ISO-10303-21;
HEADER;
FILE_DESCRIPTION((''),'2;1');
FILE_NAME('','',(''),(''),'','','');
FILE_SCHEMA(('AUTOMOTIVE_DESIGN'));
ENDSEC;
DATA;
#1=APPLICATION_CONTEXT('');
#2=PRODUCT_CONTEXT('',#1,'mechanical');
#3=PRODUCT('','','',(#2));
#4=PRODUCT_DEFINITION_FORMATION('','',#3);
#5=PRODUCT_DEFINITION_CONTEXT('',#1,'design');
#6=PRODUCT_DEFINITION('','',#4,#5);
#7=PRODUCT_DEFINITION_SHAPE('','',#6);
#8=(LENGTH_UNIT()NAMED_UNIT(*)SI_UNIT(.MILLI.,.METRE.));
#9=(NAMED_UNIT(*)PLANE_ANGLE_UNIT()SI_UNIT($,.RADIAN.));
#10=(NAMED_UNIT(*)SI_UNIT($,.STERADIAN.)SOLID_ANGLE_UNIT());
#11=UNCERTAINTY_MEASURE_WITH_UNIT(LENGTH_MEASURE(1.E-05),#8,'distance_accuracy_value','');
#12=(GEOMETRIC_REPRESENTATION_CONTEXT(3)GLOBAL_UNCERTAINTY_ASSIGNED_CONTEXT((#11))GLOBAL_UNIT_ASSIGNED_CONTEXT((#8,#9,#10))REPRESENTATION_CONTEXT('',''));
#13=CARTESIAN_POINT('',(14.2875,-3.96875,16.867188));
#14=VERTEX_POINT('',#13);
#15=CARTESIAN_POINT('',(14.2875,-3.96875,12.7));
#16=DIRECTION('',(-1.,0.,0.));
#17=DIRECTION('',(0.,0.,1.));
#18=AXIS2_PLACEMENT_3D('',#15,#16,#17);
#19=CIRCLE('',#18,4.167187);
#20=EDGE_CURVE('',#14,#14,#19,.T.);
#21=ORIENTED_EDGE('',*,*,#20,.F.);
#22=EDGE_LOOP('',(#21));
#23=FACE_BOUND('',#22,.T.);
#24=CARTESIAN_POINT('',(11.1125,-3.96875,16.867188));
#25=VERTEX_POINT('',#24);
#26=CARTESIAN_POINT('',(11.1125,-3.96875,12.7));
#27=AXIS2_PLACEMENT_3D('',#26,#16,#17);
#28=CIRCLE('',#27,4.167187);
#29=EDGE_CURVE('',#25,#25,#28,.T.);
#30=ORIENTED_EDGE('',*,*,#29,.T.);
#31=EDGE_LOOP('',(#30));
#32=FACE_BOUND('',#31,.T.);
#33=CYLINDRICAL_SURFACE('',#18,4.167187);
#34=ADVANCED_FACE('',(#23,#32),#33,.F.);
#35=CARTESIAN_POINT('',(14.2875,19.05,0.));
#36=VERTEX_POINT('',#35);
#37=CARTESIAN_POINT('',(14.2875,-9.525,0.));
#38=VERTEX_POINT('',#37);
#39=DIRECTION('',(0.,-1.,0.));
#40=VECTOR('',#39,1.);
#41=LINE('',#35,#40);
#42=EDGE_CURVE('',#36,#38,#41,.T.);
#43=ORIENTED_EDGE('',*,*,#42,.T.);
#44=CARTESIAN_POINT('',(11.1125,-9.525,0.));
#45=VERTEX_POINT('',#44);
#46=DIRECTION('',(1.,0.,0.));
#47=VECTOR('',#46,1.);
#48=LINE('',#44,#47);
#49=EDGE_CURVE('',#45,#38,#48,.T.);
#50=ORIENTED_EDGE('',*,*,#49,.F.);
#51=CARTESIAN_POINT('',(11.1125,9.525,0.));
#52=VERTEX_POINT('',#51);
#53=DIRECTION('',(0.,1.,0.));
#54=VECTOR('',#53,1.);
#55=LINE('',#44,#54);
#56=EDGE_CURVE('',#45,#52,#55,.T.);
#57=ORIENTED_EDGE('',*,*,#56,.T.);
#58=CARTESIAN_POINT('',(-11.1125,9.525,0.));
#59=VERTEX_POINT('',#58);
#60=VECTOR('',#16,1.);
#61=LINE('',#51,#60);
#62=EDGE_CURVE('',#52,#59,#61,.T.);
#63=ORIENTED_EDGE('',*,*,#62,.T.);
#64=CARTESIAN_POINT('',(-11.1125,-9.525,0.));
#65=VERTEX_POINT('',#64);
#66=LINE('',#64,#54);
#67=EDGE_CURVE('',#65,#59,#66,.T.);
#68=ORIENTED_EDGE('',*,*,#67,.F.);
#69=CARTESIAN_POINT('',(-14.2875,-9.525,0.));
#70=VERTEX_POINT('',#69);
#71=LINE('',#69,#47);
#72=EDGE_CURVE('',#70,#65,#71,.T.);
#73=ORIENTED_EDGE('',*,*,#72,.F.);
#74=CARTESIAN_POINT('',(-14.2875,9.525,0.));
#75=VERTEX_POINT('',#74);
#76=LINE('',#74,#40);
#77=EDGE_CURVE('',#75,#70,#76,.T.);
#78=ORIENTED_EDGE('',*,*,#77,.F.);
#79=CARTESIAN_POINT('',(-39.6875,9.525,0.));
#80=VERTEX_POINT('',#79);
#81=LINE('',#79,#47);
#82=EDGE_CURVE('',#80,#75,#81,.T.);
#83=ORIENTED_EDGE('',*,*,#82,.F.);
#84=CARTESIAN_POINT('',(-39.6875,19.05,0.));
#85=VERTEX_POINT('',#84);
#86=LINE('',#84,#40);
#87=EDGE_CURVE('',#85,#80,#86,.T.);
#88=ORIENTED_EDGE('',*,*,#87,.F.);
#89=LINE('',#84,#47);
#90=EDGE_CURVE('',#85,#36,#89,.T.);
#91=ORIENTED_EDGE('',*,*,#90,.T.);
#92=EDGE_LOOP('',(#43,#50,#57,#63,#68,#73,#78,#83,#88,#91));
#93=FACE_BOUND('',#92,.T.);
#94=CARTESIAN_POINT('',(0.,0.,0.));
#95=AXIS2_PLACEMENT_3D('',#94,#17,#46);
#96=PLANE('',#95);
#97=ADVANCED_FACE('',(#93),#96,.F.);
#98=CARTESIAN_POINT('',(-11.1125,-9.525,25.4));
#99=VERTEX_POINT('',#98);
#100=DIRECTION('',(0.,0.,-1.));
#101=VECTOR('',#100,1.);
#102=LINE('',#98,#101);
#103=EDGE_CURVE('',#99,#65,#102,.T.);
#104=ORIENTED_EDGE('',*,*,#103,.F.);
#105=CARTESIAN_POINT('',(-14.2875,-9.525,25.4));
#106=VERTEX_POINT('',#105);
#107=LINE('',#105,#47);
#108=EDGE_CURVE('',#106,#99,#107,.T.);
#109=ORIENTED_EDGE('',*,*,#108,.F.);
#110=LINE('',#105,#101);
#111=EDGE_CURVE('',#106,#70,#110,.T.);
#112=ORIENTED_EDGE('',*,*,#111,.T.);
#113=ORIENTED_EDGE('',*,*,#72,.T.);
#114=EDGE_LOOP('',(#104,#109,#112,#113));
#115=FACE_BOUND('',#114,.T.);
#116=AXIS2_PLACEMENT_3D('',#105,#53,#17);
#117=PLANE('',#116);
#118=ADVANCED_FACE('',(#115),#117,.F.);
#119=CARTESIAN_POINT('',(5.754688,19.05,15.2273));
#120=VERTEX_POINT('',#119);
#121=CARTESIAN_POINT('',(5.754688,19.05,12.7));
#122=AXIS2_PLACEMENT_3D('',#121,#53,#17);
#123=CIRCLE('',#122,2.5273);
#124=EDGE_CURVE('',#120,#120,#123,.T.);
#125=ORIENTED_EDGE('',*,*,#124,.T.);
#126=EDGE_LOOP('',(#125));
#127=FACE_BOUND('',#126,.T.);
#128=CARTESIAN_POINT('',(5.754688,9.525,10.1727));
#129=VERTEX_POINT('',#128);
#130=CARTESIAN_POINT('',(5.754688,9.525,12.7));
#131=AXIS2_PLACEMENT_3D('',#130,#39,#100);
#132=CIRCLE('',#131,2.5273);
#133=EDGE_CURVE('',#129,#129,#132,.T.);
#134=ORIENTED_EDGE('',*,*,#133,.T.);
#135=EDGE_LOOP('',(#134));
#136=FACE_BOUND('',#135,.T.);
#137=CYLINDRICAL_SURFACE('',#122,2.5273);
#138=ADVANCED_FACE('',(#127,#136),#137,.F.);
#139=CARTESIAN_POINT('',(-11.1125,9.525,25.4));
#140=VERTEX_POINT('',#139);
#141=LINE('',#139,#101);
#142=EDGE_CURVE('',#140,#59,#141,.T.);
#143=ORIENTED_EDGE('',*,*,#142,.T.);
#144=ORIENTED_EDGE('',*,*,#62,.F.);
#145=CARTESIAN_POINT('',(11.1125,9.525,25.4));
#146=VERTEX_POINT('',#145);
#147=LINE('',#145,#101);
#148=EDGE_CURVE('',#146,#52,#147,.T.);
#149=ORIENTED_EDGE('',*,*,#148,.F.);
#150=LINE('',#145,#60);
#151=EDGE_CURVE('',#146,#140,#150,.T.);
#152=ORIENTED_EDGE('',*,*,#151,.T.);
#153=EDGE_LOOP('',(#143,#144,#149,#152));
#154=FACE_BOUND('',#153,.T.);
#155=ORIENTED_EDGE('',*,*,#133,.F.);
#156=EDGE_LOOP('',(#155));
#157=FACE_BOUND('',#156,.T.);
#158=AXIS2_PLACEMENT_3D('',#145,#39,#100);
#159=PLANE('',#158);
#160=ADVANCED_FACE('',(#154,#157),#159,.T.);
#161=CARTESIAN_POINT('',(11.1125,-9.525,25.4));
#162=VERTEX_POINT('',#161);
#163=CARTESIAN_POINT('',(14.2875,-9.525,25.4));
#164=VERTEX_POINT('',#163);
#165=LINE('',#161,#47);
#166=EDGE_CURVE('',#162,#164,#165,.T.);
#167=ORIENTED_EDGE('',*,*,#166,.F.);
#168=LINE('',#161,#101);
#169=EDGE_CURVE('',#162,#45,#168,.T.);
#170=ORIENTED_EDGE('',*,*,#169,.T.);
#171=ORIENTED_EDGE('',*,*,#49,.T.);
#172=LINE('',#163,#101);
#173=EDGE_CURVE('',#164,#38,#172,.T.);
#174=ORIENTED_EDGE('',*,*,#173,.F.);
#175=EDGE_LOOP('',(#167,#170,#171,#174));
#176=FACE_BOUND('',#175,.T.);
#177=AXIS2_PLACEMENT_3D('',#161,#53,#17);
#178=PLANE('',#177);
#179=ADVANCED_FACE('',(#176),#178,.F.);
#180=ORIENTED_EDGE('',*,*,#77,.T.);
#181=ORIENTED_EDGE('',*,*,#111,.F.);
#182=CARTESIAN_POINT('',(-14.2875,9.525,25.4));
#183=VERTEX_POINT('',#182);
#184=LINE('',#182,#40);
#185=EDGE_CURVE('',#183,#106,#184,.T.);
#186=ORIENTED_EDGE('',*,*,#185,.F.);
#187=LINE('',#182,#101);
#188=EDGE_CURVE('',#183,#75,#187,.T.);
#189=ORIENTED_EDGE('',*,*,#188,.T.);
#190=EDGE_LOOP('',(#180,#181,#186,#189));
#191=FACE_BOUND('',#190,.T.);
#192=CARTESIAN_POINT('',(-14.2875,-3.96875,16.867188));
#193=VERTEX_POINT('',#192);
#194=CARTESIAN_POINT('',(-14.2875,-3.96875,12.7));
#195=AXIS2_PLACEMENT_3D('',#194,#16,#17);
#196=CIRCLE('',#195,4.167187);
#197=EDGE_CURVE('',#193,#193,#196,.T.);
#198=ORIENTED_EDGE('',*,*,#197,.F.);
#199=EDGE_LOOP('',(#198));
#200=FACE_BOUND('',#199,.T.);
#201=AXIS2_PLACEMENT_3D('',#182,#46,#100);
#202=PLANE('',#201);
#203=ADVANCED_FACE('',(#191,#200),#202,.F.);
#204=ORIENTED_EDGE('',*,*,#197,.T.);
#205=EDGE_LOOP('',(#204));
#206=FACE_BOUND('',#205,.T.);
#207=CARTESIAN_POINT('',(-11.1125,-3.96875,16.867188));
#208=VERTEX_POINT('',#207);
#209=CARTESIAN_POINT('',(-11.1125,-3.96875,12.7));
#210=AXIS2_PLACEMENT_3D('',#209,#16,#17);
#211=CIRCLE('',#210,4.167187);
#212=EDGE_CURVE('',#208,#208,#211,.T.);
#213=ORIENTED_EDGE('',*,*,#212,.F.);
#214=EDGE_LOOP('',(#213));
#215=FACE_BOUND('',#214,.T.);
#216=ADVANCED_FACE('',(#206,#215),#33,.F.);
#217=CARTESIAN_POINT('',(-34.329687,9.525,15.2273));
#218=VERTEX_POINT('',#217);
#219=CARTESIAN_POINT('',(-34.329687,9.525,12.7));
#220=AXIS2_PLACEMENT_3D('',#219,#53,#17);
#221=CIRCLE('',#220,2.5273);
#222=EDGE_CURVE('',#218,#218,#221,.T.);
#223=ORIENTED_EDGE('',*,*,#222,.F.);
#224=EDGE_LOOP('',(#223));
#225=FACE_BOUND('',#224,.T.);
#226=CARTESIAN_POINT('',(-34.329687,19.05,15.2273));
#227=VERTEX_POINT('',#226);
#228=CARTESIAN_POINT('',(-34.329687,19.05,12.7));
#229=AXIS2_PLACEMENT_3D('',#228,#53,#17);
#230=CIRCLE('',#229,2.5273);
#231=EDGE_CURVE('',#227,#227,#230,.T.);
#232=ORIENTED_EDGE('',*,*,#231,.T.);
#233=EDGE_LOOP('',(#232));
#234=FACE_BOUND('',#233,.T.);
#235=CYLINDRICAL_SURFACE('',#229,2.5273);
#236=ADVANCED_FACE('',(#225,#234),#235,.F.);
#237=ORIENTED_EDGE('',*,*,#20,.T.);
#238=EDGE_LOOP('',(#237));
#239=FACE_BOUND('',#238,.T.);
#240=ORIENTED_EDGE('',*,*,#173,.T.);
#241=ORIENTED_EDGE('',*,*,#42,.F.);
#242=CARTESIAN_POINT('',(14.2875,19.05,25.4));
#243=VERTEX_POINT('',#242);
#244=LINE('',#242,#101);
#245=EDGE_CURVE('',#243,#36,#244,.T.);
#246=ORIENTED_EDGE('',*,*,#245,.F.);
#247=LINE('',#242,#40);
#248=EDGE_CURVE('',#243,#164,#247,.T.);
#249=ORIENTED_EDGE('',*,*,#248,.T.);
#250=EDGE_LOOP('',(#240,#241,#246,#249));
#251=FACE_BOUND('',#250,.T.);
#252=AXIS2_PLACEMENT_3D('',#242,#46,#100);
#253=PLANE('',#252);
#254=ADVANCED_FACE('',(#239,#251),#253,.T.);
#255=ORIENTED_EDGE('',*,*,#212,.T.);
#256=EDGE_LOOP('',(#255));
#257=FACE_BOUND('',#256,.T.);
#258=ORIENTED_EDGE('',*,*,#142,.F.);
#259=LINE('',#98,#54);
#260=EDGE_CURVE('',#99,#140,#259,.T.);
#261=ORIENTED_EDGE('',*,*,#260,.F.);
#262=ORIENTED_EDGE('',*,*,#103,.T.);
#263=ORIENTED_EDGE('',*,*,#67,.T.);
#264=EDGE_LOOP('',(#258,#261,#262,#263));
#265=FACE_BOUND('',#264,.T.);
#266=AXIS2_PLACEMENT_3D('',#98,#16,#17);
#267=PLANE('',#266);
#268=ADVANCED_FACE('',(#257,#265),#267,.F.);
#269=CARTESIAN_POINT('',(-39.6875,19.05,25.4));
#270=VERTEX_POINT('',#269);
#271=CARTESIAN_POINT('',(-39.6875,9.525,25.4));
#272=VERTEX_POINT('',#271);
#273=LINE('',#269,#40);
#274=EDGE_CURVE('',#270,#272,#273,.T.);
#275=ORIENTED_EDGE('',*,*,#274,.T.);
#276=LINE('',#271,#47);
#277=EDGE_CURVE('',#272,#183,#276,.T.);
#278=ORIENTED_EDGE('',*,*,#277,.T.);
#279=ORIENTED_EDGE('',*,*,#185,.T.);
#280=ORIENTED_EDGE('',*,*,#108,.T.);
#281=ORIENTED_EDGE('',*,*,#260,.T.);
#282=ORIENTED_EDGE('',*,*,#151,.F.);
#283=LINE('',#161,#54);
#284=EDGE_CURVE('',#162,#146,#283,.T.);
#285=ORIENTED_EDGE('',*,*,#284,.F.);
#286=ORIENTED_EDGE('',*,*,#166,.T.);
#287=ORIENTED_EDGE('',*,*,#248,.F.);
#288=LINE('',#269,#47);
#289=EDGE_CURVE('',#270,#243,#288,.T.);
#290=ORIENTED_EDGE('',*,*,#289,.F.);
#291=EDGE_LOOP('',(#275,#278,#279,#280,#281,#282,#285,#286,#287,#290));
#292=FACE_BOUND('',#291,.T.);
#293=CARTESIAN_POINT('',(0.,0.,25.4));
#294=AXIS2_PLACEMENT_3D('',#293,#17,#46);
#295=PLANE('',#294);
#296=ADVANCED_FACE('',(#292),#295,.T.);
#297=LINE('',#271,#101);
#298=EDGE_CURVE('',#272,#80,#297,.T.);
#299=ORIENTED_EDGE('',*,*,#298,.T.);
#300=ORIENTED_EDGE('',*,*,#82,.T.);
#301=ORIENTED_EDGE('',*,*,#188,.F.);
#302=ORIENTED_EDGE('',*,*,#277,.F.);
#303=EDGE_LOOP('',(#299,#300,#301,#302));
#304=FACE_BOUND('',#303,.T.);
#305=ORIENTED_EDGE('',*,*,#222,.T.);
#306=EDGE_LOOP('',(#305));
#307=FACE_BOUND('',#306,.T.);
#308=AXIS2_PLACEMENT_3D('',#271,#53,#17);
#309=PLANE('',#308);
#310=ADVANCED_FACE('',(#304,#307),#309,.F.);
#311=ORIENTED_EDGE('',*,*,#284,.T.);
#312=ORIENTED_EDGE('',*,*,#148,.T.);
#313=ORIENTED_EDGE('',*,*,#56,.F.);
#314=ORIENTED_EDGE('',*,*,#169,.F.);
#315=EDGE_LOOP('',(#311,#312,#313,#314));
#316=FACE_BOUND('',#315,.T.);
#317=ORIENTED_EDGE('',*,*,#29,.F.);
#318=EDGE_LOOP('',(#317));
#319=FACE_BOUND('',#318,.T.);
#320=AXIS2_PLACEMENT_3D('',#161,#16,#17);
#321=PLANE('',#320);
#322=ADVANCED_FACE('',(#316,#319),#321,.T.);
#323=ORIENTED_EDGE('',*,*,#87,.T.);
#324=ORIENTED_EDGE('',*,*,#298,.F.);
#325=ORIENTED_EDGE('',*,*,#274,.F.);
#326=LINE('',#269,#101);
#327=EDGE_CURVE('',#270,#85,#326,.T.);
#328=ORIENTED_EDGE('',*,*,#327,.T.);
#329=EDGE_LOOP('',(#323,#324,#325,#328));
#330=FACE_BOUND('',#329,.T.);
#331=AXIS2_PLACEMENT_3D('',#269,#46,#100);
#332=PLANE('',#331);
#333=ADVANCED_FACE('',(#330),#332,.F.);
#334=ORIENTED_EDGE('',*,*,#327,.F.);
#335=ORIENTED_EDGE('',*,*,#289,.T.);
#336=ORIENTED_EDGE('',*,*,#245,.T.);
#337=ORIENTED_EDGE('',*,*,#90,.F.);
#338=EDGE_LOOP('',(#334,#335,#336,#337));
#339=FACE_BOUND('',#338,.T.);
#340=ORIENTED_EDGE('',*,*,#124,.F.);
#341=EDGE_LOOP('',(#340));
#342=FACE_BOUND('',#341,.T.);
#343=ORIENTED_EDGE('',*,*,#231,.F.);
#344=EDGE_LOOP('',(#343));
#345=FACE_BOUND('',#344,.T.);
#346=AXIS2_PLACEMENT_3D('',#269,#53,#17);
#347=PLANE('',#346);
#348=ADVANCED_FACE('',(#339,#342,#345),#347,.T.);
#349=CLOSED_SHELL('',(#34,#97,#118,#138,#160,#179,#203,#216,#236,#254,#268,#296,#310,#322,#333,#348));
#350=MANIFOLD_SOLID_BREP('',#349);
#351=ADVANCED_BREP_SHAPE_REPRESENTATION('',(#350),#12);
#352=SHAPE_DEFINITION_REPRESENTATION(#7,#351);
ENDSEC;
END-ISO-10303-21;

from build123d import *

# Parameters (mm, degrees)
BOSS_EXTRUDE1_DEPTH        = 25.4
SKETCH2_R                  = 4.1671875
CUT_EXTRUDE1_DEPTH         = 43.715256349
F_8_0_199_DIAMETER_HOLE1_D = 5.0546


with BuildPart() as part:
    # Sketch1 → Boss-Extrude1 (new body)
    with BuildSketch(Plane.XY):
        Polygon((-14.2875, 9.525), (-14.2875, -9.525), (-11.1125, -9.525), (-11.1125, 9.525), (11.1125, 9.525), (11.1125, -9.525), (14.2875, -9.525), (14.2875, 19.05), (-39.6875, 19.05), (-39.6875, 9.525), align=None)
    extrude(amount=BOSS_EXTRUDE1_DEPTH)

    # Sketch2 → Cut-Extrude1 (cut, through all)
    with BuildSketch(Plane.ZY.offset(14.2875)):
        with Locations((12.7, -3.96875)):
            Circle(SKETCH2_R)
    extrude(amount=-CUT_EXTRUDE1_DEPTH, mode=Mode.SUBTRACT)

    # #8 (0.199) Diameter Hole1 (through all)
    with Locations(Plane(origin=(0, 19.05, 0), x_dir=(1, 0, 0), z_dir=(0, 1, 0))):
        with Locations((-34.3296875, -12.7), (5.7546875, -12.7)):
            Hole(F_8_0_199_DIAMETER_HOLE1_D / 2)


solid = part.part
